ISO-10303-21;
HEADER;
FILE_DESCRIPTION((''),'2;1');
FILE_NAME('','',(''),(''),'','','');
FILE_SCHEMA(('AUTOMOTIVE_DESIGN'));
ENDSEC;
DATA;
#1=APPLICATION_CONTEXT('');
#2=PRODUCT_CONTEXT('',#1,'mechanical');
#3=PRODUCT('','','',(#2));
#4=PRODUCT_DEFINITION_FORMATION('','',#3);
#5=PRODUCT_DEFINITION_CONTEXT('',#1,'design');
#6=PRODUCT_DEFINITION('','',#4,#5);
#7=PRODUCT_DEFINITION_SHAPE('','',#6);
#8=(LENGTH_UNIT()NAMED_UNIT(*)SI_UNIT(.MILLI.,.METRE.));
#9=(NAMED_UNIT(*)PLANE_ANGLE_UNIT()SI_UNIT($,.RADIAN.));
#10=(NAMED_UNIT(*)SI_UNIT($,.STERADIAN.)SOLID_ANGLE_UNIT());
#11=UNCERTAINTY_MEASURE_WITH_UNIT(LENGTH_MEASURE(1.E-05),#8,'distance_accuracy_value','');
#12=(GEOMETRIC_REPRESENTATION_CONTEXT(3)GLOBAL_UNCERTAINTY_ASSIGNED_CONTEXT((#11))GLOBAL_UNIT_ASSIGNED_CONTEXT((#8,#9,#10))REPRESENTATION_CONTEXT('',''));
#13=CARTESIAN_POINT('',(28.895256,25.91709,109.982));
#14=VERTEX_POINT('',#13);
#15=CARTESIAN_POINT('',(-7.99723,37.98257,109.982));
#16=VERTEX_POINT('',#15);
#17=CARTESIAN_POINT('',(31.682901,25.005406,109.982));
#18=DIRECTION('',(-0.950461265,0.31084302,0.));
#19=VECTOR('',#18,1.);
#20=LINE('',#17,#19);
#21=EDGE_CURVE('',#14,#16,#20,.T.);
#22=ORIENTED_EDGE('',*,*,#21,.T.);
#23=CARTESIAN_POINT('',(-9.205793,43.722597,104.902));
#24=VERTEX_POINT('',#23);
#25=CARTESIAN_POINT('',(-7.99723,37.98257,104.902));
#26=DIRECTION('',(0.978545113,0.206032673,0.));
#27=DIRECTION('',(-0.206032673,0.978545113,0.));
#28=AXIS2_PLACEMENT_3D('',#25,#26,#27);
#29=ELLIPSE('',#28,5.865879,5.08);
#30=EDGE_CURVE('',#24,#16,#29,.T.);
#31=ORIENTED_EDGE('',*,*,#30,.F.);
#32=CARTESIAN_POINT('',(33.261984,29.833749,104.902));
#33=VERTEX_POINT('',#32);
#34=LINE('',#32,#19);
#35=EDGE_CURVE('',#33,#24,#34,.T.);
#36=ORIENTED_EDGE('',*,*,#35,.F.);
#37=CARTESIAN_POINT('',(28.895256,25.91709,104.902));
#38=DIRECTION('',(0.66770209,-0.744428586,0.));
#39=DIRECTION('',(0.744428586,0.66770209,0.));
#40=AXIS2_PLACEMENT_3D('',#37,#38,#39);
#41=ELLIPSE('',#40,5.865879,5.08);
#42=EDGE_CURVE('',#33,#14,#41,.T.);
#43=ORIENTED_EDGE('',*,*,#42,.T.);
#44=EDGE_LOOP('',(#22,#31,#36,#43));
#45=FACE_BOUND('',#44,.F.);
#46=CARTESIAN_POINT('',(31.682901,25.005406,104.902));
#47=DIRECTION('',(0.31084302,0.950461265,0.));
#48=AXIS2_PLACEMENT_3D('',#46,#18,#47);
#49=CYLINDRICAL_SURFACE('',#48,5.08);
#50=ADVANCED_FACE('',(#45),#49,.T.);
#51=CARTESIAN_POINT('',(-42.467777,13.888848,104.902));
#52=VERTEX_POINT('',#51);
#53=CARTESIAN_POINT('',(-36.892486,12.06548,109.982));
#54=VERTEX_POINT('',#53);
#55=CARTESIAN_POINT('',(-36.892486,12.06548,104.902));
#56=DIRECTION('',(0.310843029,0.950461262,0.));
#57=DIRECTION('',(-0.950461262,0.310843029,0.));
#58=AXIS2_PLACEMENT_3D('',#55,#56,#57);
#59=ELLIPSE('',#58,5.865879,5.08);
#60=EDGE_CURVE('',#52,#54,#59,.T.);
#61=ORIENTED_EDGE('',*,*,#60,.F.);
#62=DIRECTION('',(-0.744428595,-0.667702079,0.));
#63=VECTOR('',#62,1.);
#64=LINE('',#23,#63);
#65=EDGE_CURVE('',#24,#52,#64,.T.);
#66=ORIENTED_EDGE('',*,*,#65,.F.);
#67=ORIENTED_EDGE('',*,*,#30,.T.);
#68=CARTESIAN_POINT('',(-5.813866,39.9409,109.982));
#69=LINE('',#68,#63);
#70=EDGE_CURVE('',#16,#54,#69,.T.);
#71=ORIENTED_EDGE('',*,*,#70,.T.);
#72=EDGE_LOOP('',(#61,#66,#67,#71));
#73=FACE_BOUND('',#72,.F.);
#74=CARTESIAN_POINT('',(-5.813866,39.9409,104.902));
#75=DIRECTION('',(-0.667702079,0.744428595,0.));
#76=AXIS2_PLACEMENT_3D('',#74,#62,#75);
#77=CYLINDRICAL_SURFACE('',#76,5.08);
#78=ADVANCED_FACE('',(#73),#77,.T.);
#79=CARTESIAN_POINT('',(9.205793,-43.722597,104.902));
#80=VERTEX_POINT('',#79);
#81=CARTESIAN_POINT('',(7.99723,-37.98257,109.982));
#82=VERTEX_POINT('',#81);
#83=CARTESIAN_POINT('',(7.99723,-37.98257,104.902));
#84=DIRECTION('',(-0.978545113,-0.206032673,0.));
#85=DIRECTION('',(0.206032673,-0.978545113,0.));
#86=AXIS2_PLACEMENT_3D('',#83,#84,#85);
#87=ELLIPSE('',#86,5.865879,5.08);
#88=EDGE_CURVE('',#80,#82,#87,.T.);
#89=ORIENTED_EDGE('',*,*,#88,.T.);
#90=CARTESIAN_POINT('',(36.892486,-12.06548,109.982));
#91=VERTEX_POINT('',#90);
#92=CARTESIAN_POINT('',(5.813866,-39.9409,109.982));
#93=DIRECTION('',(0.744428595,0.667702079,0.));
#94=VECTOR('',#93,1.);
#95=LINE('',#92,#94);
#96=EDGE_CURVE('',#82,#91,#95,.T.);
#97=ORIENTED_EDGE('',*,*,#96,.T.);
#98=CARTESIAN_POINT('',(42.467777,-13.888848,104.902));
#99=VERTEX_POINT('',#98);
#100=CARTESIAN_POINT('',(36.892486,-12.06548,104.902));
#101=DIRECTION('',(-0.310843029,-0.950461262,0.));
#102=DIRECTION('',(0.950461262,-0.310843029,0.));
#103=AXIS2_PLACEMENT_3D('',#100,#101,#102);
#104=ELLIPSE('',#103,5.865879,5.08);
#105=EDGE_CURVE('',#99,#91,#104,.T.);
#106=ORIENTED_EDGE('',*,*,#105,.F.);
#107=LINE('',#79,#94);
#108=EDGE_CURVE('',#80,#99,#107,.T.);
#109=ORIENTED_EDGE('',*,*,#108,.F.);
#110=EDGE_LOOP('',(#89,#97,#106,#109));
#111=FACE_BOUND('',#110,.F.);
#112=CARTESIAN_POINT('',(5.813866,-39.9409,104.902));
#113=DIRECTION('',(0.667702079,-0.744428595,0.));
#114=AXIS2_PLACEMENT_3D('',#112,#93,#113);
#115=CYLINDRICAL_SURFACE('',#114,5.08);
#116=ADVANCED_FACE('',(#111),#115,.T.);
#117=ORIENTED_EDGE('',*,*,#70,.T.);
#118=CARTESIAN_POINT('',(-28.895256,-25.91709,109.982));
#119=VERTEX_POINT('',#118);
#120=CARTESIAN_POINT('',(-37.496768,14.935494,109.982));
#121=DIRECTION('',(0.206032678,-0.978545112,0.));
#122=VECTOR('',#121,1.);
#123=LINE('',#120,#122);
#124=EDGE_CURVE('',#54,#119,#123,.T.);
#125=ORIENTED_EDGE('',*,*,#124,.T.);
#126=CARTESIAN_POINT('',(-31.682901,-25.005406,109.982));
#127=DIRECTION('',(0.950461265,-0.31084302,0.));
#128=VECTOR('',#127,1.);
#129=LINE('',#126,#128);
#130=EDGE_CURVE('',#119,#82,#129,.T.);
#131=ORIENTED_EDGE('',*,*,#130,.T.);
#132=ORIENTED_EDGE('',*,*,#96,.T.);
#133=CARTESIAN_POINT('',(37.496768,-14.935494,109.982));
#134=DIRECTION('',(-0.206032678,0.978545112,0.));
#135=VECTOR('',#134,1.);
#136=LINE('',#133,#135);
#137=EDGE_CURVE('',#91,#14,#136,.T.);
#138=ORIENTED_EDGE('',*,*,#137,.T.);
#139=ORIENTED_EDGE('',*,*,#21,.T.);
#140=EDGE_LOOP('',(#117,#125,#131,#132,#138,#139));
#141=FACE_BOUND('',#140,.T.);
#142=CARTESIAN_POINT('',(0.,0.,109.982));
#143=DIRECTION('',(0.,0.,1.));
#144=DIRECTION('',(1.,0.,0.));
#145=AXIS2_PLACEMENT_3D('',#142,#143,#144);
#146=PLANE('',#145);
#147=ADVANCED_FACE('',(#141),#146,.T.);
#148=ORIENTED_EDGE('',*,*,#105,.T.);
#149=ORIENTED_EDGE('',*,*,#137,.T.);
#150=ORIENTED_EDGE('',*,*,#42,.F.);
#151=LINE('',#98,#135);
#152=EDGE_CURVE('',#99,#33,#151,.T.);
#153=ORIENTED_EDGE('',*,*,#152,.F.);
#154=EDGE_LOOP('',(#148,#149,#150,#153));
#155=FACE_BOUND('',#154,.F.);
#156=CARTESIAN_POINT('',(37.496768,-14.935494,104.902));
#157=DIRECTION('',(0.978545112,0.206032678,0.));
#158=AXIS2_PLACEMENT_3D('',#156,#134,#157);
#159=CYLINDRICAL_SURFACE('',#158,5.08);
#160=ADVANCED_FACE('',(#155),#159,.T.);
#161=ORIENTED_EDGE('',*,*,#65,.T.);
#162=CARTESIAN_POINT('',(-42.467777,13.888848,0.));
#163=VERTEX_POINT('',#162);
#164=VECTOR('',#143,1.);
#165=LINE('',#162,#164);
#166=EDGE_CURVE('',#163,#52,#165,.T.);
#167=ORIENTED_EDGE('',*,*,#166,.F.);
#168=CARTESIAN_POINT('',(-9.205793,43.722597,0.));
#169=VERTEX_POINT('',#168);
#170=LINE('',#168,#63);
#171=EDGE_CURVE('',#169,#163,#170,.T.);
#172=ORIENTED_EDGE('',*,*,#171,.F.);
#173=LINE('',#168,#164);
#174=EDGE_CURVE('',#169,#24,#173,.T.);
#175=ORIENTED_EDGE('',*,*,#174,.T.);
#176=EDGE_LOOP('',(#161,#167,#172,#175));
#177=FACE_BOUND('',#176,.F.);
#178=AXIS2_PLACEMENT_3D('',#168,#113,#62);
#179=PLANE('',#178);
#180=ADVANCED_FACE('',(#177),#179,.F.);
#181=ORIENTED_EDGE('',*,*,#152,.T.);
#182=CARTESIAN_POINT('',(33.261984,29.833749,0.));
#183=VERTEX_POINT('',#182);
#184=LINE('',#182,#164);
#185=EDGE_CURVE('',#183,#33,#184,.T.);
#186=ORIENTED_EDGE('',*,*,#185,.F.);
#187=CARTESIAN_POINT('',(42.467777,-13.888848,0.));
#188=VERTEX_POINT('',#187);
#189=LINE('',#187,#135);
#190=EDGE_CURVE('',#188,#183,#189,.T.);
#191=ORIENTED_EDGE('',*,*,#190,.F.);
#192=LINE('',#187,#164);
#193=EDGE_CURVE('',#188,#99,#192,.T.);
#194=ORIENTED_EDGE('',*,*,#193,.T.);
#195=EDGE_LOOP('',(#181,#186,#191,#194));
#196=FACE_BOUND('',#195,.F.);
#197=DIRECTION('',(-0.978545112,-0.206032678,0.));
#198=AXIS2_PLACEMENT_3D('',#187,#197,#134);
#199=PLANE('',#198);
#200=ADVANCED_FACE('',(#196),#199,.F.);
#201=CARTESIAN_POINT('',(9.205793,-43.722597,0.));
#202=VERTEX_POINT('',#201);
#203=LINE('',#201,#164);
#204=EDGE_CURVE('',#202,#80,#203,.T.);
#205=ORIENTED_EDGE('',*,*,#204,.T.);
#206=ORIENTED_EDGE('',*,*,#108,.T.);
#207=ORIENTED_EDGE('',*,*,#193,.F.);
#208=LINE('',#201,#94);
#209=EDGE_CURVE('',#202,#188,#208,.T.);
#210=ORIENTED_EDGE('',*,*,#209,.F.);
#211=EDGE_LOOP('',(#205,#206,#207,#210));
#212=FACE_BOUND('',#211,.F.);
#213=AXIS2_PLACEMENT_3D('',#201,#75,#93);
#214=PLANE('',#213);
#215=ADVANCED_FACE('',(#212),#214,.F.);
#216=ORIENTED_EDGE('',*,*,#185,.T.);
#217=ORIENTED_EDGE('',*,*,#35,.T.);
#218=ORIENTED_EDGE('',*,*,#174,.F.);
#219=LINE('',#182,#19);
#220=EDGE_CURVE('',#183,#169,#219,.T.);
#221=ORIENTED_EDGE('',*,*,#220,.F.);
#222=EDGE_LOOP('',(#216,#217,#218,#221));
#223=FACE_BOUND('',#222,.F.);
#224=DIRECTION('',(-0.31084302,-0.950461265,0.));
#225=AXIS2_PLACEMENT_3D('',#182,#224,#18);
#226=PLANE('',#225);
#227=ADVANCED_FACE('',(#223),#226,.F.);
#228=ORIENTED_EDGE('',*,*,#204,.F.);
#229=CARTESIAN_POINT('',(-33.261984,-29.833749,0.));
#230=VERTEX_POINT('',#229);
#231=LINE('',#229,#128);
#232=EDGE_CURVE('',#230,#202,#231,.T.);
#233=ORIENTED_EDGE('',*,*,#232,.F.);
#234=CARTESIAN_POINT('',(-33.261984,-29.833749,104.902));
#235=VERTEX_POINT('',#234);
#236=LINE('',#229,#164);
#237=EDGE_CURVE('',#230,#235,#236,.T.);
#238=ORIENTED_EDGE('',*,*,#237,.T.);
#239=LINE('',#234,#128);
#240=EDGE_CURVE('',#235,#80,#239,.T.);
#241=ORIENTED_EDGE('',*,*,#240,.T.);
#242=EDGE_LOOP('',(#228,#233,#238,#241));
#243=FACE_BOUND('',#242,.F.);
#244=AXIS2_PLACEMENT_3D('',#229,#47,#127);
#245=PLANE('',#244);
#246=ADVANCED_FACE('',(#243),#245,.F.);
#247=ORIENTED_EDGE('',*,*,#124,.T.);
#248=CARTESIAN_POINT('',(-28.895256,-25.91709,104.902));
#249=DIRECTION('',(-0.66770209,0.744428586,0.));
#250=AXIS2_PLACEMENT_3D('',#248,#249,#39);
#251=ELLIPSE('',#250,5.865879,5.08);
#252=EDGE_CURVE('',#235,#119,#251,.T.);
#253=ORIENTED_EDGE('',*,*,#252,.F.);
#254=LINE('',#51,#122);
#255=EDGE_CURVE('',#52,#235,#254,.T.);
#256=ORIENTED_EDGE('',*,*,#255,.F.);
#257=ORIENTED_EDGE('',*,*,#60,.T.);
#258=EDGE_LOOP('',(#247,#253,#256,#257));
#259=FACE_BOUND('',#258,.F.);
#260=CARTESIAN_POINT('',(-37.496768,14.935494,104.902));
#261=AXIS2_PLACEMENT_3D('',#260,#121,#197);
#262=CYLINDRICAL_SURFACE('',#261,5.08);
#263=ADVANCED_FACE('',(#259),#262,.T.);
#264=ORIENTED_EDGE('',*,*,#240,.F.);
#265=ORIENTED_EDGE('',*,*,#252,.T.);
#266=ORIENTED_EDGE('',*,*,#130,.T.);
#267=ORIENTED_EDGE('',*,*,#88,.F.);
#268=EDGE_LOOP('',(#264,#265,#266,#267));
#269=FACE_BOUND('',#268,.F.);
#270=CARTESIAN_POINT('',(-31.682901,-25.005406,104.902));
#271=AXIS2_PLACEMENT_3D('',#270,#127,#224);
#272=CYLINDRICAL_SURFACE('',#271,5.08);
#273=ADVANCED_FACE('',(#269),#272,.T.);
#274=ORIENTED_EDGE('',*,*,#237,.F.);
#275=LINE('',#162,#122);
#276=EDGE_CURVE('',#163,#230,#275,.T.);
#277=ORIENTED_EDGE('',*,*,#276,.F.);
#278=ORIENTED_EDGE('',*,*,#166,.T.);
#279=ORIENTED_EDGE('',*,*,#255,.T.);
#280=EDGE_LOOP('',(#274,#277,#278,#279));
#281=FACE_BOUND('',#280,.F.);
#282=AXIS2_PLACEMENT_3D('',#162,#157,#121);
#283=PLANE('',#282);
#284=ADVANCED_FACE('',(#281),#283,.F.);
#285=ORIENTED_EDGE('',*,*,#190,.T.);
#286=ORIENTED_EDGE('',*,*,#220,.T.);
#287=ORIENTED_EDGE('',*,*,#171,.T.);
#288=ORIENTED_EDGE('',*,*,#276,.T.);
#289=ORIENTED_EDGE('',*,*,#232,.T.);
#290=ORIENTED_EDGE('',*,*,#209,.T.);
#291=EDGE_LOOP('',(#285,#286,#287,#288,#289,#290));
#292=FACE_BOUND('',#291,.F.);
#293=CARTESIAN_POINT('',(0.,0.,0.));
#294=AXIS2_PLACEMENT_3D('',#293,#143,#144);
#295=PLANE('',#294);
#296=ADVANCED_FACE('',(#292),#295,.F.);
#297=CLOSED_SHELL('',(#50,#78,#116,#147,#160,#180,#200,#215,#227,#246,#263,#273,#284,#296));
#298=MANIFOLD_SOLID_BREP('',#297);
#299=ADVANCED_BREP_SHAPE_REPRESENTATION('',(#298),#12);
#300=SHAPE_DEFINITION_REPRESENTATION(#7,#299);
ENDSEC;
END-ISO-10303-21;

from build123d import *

# Parameters (mm, degrees)
F1_DEPTH = 109.982
F2_R     = 5.08


with BuildPart() as f1:
    # F0 (on Top) → F1 (new body)
    with BuildSketch(Plane.XY):
        Polygon((9.205793, -43.722597), (42.467777, -13.888848), (33.261984, 29.833749), (-9.205793, 43.722597), (-42.467777, 13.888848), (-33.261984, -29.833749), align=None)
    extrude(amount=F1_DEPTH)

    # F2
    f2_edges = [f1.edges().sort_by_distance(p)[0] for p in [
        (-12.028095, -36.778173, 109.982),
        (25.836785, -28.805723, 109.982),
        (37.86488, 7.972451, 109.982),
        (12.028095, 36.778173, 109.982),
        (-25.836785, 28.805723, 109.982),
        (-37.86488, -7.972451, 109.982),
    ]]
    fillet(f2_edges, radius=F2_R)


solid = f1.part
